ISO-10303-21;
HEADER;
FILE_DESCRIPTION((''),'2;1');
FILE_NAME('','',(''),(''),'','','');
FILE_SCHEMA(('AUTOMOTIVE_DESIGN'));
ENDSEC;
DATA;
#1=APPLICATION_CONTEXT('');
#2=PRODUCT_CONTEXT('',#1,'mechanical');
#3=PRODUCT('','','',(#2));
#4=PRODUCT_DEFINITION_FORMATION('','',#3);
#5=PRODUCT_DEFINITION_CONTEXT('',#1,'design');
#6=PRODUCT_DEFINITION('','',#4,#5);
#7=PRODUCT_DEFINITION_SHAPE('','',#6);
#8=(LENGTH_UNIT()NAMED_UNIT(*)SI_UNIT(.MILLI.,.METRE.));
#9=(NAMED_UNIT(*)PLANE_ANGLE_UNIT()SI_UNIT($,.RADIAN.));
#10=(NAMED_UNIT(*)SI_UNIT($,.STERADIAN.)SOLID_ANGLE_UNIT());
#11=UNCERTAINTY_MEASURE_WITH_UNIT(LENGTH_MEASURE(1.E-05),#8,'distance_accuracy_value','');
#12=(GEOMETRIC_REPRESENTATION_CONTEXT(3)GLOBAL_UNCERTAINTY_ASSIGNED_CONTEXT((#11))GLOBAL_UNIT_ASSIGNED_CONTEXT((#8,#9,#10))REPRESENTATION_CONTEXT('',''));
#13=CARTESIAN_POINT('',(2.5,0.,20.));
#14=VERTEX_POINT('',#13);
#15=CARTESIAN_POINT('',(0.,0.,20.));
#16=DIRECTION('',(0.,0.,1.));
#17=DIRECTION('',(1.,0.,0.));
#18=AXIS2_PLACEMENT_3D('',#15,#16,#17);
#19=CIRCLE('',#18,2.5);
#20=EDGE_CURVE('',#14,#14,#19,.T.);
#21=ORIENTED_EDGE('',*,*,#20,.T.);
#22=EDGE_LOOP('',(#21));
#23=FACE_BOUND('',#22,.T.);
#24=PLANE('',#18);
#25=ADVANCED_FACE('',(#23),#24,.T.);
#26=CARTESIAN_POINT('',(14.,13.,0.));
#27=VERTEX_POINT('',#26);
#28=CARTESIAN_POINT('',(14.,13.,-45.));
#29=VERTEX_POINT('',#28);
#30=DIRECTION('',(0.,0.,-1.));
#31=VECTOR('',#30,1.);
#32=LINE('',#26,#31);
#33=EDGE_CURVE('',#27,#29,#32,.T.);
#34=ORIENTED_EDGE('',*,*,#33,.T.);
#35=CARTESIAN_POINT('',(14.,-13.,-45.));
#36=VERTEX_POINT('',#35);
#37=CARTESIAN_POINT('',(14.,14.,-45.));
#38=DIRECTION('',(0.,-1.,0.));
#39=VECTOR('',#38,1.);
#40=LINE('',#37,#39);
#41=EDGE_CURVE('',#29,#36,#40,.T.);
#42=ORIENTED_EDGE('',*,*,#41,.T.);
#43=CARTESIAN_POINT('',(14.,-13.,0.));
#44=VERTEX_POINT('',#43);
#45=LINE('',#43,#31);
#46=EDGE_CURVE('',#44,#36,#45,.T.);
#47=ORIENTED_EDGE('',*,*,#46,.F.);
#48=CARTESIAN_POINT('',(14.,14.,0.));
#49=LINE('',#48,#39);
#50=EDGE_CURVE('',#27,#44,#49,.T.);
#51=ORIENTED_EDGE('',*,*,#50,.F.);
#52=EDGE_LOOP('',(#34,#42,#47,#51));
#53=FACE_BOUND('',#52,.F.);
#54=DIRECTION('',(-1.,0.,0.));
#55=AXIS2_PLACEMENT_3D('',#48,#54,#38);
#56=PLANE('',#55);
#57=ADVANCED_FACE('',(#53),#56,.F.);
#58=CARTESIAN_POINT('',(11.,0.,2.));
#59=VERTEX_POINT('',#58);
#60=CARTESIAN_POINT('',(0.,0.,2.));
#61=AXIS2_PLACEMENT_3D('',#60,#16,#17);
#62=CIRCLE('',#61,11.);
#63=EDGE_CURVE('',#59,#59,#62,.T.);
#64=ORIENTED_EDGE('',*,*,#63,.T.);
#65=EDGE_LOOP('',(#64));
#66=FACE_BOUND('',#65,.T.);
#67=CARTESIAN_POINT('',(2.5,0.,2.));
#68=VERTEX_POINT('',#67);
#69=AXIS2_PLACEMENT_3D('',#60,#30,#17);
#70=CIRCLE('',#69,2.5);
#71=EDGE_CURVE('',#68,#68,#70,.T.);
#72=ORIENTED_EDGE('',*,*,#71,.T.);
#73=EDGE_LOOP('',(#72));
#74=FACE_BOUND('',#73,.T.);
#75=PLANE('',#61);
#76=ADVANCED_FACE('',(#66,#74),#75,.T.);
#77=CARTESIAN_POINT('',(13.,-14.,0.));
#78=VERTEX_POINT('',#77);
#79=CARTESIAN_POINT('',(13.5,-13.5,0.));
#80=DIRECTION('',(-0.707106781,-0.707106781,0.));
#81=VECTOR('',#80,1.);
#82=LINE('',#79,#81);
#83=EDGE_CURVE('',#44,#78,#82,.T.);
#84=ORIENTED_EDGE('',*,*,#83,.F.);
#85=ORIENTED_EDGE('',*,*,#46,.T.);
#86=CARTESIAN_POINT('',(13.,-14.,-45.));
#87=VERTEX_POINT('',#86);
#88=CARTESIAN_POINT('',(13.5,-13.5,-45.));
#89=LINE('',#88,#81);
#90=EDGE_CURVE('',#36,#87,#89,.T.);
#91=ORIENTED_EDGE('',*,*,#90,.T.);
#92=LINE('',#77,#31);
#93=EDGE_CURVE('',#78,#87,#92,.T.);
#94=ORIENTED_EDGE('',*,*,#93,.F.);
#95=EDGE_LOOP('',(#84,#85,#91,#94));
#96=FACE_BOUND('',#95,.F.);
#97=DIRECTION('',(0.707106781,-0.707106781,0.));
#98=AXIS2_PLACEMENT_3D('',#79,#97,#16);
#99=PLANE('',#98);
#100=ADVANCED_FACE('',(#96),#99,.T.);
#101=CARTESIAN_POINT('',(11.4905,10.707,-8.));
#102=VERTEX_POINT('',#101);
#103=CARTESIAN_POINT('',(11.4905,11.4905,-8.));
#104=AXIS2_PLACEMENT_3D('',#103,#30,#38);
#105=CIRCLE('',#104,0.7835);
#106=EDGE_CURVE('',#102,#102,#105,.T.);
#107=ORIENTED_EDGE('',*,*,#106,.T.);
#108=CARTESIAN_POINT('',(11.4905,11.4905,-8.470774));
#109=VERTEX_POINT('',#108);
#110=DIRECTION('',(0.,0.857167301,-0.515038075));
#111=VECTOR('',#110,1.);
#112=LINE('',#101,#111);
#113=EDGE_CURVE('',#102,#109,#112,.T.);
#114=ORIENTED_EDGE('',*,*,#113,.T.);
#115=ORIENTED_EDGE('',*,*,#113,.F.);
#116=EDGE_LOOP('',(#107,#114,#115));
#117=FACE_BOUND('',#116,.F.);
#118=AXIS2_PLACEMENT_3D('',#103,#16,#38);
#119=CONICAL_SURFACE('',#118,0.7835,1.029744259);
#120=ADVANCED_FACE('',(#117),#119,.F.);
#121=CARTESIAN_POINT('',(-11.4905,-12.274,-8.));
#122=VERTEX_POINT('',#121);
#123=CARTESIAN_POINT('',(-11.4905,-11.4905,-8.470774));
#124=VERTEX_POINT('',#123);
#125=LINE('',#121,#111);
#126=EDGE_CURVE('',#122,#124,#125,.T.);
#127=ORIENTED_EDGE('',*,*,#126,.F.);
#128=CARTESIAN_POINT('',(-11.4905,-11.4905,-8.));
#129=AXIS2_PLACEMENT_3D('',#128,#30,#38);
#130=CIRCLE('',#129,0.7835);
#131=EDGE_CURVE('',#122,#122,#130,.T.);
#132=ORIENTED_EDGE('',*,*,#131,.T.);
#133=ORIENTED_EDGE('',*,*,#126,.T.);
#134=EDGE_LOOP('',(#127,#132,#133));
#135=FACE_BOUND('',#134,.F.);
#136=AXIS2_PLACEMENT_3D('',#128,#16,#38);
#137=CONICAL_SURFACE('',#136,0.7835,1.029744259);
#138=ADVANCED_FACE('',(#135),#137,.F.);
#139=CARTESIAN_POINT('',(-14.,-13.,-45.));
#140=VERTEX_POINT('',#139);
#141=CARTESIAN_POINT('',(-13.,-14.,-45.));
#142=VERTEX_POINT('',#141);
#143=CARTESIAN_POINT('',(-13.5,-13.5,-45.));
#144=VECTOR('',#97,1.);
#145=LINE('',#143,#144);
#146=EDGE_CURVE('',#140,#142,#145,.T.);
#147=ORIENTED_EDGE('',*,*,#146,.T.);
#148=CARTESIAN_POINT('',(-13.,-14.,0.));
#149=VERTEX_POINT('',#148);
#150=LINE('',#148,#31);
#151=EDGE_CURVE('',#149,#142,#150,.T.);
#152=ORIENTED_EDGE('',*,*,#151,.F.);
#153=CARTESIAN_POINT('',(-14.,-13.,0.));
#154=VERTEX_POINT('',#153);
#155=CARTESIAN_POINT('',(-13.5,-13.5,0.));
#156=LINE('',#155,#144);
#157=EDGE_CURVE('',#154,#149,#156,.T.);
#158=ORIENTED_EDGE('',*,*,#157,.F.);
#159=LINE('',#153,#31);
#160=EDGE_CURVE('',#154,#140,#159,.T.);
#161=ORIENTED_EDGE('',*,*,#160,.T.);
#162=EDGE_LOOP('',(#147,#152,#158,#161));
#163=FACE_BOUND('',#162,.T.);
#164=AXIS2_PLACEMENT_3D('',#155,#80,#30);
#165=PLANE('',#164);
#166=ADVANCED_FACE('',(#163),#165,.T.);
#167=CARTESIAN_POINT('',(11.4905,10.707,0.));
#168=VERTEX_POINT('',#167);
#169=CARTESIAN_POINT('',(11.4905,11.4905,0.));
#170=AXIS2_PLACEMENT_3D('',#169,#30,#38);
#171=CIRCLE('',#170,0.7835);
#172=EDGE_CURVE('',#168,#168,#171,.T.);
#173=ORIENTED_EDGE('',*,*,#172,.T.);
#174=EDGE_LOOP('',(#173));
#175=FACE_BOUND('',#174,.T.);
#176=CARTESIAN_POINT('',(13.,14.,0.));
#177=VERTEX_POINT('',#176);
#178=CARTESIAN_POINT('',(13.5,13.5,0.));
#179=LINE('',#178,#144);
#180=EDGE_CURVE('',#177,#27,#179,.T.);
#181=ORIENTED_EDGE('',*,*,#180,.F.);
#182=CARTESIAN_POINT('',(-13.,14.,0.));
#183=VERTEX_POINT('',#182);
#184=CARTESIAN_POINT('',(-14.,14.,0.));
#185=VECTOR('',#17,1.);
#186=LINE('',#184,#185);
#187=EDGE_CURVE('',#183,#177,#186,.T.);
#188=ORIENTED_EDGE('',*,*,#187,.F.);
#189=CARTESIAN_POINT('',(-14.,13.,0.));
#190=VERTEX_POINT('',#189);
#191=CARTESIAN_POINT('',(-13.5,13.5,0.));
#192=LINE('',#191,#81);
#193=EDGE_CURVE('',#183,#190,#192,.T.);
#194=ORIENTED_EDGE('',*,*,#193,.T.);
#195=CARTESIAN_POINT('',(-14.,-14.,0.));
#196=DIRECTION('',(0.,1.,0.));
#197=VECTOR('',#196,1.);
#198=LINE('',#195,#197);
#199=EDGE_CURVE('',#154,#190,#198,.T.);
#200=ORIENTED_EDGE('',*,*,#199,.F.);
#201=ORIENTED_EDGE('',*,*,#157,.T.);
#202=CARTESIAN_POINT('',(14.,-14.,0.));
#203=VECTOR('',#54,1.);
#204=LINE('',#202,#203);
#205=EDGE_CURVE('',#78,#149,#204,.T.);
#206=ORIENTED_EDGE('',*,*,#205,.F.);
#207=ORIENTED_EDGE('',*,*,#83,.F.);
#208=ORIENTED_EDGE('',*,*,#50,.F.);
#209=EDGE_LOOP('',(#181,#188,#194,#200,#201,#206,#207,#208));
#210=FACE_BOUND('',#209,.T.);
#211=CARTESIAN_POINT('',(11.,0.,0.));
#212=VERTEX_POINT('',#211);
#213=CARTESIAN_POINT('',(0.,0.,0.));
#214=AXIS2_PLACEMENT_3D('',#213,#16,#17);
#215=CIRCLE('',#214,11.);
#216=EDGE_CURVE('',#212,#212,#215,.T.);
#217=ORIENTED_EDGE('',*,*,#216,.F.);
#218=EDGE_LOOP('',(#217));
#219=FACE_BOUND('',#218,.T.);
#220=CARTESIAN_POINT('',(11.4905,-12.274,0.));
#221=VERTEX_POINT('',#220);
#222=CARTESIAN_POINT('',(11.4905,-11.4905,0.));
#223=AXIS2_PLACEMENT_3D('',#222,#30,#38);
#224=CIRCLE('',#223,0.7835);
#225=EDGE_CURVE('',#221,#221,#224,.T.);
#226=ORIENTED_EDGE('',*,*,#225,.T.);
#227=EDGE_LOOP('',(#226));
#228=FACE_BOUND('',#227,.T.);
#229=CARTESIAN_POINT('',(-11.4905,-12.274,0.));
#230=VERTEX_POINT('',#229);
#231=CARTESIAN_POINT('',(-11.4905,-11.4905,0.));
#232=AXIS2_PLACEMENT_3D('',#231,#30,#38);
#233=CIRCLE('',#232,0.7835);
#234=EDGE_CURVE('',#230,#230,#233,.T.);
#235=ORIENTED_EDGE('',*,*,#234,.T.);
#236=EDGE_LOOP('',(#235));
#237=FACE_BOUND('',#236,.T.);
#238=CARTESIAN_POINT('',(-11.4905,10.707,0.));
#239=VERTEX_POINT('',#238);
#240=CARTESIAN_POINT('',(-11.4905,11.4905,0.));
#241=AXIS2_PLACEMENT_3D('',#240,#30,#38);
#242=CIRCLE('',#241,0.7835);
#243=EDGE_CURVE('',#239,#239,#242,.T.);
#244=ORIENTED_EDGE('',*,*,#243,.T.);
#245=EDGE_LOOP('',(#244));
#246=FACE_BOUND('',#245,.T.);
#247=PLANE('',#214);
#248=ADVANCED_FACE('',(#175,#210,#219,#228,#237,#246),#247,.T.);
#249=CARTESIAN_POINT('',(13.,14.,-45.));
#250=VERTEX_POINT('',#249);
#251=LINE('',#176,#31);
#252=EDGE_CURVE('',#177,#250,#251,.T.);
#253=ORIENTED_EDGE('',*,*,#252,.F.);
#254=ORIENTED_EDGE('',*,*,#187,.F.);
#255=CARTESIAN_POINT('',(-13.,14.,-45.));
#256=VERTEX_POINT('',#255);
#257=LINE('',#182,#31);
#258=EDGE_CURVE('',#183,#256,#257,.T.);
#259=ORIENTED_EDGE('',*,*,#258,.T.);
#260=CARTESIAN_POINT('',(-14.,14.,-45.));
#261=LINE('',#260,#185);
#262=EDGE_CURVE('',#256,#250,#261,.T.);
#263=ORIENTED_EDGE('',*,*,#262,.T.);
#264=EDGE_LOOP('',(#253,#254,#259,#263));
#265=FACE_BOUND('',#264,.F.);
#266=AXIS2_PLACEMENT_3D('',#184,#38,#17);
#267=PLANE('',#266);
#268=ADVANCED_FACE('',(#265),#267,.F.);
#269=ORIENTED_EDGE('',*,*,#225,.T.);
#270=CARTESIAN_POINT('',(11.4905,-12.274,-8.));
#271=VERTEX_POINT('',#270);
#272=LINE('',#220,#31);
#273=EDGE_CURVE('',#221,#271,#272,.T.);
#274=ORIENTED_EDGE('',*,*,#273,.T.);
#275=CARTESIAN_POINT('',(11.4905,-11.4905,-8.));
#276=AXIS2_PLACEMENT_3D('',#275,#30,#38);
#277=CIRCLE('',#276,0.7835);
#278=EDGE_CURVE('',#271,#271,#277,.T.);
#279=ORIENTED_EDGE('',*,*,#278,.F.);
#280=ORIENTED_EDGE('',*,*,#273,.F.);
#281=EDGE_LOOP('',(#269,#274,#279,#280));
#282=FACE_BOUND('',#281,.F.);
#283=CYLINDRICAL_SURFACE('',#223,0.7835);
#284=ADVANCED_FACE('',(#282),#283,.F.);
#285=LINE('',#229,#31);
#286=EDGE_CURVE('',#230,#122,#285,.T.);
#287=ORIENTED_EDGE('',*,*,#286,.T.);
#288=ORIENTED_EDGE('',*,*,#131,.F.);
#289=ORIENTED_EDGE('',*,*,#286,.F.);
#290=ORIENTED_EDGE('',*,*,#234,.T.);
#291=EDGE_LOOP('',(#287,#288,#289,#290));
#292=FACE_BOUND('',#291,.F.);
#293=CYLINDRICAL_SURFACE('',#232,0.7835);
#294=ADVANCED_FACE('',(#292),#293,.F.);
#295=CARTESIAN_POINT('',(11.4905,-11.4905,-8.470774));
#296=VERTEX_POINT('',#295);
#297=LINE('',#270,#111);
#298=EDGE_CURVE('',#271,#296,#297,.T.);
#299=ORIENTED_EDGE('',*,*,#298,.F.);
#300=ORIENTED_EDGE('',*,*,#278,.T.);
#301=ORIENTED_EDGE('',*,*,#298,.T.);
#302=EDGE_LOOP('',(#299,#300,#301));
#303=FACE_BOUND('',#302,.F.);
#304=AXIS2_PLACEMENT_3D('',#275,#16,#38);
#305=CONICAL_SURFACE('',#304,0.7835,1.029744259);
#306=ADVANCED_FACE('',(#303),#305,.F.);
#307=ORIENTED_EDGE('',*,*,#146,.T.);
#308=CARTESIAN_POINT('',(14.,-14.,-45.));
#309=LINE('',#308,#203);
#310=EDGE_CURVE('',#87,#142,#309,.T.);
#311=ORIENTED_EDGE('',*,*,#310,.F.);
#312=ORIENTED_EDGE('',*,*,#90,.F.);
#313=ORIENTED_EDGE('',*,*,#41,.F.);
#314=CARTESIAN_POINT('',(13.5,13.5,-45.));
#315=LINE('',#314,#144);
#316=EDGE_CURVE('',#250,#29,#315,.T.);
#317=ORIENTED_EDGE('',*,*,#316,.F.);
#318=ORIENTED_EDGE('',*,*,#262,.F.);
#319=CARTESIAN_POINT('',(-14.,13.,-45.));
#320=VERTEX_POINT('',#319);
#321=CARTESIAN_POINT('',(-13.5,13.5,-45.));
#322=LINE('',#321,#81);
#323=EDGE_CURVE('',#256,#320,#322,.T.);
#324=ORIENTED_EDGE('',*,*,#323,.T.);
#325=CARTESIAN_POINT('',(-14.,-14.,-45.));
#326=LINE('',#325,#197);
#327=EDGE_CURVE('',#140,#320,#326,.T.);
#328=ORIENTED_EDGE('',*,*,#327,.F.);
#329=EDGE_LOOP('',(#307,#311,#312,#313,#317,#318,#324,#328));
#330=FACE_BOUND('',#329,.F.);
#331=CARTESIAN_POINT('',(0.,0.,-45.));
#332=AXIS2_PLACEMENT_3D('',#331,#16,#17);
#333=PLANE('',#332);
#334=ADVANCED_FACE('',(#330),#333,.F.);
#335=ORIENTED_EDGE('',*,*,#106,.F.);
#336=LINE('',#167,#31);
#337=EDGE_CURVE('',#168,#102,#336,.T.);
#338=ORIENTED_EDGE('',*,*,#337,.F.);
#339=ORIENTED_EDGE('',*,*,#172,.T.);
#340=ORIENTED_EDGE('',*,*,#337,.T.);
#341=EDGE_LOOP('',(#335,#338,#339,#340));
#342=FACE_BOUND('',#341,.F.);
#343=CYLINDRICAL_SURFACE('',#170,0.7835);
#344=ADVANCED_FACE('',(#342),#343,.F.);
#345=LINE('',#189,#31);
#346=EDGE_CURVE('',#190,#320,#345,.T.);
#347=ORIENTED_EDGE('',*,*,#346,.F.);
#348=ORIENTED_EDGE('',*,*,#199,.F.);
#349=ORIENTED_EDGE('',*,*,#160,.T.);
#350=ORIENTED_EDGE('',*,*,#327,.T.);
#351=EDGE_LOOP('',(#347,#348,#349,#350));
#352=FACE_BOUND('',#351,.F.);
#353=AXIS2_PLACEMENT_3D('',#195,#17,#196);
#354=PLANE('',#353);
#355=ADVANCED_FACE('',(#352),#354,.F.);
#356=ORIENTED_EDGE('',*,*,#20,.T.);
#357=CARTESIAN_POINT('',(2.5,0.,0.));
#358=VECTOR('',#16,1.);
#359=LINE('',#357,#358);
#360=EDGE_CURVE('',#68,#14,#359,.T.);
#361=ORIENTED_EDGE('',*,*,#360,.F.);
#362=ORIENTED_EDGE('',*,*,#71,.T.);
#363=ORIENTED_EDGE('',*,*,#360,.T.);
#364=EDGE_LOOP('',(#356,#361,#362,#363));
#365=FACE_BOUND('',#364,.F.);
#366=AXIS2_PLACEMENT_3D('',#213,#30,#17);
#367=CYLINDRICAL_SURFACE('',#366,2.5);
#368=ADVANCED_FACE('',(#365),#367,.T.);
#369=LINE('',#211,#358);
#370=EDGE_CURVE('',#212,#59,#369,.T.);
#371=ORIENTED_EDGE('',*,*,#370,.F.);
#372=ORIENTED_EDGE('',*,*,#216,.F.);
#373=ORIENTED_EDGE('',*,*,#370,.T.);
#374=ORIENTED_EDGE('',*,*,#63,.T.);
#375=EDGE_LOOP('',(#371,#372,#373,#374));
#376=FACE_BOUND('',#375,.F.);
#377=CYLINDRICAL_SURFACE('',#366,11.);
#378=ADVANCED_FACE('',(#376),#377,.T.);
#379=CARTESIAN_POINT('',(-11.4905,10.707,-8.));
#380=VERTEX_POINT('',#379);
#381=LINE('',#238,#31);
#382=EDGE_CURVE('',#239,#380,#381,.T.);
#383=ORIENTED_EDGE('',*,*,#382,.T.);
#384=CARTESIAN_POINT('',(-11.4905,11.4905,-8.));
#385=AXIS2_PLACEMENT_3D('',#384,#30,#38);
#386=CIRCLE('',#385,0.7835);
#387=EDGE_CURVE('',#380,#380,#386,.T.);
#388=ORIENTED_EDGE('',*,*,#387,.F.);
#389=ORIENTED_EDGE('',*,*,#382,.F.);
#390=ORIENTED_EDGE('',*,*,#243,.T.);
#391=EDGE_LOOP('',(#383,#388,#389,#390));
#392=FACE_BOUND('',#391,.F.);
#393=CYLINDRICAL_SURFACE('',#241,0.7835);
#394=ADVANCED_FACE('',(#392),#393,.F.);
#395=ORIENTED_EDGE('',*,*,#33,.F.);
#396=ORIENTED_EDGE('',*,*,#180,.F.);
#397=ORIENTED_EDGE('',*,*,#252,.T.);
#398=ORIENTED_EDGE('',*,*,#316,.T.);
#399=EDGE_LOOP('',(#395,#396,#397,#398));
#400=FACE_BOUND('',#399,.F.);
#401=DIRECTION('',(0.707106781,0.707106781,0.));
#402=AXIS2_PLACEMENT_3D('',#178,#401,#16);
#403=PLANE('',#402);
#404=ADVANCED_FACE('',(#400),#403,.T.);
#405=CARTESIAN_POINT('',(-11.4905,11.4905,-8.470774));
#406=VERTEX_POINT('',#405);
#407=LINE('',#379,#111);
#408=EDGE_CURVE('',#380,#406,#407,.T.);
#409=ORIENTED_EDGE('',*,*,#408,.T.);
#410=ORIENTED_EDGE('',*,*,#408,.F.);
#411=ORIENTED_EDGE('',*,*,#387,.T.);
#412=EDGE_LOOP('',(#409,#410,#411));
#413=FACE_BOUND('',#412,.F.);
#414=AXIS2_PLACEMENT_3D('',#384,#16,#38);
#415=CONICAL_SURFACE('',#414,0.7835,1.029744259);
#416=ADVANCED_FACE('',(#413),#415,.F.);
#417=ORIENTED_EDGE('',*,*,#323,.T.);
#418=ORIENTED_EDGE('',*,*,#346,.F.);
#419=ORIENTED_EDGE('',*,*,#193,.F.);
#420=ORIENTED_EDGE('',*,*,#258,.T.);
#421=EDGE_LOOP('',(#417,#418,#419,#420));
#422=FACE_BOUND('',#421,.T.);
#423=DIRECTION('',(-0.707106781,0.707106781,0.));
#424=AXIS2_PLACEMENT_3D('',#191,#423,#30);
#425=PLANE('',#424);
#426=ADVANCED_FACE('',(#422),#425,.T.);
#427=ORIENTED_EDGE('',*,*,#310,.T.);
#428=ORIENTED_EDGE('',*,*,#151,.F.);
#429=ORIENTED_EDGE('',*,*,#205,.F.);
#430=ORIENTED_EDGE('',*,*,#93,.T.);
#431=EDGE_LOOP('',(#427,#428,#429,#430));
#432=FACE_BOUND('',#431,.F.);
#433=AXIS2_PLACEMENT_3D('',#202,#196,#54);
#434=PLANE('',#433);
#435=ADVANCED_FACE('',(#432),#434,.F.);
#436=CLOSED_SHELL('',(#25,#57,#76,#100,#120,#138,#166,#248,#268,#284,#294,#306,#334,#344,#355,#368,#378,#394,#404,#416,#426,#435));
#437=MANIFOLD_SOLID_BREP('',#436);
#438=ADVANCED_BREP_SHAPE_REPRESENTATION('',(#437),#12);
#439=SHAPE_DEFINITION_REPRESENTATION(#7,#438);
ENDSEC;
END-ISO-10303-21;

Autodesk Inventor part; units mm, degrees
ref_plane "YZ Plane" through (0, 0, 0) normal (1, 0, 0) x (0, 1, 0)
ref_plane "XZ Plane" through (0, 0, 0) normal (0, 1, 0) x (-1, 0, 0)
ref_plane "XY Plane" through (0, 0, 0) normal (0, 0, 1) x (1, 0, 0)
sketch "Skizze1" plane through (0, 0, 0) normal (0, 0, 1) x (1, 0, 0)
  line L0 (-14, 14) -> (14, 14)
  line L1 (14, 14) -> (14, -14)
  line L2 (14, -14) -> (-14, -14)
  line L3 (-14, -14) -> (-14, 14)
  circle A0 centre (0, 0) radius 11
  circle A1 centre (0, 0) radius 2.5
  line L4 (-14, 0) -> (14, 0) construction
  line L5 (0, 14) -> (0, -14) construction
  line L6 (-11.4905, 11.4905) -> (11.4905, 11.4905) construction
  line L7 (11.4905, 11.4905) -> (11.4905, -11.4905) construction
  line L8 (11.4905, -11.4905) -> (-11.4905, -11.4905) construction
  line L9 (-11.4905, -11.4905) -> (-11.4905, 11.4905) construction
  circle A2 centre (0, 0) radius 16.25 construction
  point P0 (0, -11.4905)
  point P1 (11.4905, 0)
  dimension "d4" = 32.5
  dimension "d0" = 5
  dimension "d1" = 22
  dimension "d2" = 28
extrude "Extrusion1" add sketch "Skizze1" along normal blind 2 contours A0 | A1
extrude "Extrusion2" add sketch "Skizze1" along normal blind 20 contours A1
extrude "Extrusion3" add sketch "Skizze1" against normal blind 45 contours L0 L1 L2 L3 | A0 | A1
hole "Bohrung1" at (-11.4905, 11.4905, 0) at (11.4905, 11.4905, 0) at (11.4905, -11.4905, 0) at (-11.4905, -11.4905, 0) direction (0, 0, -1) diameter 1.567 depth 8 tip angle 118 thread size "M2x0.4" class "6H" standard "ANSI Metric M Profile"
chamfer "Fase1" distance 1 angle 45 4 edges at (14, -14, -22.5) (-14, -14, -22.5) (14, 14, -22.5) (-14, 14, -22.5)
properties part number "Nema11" material "Stahl"
